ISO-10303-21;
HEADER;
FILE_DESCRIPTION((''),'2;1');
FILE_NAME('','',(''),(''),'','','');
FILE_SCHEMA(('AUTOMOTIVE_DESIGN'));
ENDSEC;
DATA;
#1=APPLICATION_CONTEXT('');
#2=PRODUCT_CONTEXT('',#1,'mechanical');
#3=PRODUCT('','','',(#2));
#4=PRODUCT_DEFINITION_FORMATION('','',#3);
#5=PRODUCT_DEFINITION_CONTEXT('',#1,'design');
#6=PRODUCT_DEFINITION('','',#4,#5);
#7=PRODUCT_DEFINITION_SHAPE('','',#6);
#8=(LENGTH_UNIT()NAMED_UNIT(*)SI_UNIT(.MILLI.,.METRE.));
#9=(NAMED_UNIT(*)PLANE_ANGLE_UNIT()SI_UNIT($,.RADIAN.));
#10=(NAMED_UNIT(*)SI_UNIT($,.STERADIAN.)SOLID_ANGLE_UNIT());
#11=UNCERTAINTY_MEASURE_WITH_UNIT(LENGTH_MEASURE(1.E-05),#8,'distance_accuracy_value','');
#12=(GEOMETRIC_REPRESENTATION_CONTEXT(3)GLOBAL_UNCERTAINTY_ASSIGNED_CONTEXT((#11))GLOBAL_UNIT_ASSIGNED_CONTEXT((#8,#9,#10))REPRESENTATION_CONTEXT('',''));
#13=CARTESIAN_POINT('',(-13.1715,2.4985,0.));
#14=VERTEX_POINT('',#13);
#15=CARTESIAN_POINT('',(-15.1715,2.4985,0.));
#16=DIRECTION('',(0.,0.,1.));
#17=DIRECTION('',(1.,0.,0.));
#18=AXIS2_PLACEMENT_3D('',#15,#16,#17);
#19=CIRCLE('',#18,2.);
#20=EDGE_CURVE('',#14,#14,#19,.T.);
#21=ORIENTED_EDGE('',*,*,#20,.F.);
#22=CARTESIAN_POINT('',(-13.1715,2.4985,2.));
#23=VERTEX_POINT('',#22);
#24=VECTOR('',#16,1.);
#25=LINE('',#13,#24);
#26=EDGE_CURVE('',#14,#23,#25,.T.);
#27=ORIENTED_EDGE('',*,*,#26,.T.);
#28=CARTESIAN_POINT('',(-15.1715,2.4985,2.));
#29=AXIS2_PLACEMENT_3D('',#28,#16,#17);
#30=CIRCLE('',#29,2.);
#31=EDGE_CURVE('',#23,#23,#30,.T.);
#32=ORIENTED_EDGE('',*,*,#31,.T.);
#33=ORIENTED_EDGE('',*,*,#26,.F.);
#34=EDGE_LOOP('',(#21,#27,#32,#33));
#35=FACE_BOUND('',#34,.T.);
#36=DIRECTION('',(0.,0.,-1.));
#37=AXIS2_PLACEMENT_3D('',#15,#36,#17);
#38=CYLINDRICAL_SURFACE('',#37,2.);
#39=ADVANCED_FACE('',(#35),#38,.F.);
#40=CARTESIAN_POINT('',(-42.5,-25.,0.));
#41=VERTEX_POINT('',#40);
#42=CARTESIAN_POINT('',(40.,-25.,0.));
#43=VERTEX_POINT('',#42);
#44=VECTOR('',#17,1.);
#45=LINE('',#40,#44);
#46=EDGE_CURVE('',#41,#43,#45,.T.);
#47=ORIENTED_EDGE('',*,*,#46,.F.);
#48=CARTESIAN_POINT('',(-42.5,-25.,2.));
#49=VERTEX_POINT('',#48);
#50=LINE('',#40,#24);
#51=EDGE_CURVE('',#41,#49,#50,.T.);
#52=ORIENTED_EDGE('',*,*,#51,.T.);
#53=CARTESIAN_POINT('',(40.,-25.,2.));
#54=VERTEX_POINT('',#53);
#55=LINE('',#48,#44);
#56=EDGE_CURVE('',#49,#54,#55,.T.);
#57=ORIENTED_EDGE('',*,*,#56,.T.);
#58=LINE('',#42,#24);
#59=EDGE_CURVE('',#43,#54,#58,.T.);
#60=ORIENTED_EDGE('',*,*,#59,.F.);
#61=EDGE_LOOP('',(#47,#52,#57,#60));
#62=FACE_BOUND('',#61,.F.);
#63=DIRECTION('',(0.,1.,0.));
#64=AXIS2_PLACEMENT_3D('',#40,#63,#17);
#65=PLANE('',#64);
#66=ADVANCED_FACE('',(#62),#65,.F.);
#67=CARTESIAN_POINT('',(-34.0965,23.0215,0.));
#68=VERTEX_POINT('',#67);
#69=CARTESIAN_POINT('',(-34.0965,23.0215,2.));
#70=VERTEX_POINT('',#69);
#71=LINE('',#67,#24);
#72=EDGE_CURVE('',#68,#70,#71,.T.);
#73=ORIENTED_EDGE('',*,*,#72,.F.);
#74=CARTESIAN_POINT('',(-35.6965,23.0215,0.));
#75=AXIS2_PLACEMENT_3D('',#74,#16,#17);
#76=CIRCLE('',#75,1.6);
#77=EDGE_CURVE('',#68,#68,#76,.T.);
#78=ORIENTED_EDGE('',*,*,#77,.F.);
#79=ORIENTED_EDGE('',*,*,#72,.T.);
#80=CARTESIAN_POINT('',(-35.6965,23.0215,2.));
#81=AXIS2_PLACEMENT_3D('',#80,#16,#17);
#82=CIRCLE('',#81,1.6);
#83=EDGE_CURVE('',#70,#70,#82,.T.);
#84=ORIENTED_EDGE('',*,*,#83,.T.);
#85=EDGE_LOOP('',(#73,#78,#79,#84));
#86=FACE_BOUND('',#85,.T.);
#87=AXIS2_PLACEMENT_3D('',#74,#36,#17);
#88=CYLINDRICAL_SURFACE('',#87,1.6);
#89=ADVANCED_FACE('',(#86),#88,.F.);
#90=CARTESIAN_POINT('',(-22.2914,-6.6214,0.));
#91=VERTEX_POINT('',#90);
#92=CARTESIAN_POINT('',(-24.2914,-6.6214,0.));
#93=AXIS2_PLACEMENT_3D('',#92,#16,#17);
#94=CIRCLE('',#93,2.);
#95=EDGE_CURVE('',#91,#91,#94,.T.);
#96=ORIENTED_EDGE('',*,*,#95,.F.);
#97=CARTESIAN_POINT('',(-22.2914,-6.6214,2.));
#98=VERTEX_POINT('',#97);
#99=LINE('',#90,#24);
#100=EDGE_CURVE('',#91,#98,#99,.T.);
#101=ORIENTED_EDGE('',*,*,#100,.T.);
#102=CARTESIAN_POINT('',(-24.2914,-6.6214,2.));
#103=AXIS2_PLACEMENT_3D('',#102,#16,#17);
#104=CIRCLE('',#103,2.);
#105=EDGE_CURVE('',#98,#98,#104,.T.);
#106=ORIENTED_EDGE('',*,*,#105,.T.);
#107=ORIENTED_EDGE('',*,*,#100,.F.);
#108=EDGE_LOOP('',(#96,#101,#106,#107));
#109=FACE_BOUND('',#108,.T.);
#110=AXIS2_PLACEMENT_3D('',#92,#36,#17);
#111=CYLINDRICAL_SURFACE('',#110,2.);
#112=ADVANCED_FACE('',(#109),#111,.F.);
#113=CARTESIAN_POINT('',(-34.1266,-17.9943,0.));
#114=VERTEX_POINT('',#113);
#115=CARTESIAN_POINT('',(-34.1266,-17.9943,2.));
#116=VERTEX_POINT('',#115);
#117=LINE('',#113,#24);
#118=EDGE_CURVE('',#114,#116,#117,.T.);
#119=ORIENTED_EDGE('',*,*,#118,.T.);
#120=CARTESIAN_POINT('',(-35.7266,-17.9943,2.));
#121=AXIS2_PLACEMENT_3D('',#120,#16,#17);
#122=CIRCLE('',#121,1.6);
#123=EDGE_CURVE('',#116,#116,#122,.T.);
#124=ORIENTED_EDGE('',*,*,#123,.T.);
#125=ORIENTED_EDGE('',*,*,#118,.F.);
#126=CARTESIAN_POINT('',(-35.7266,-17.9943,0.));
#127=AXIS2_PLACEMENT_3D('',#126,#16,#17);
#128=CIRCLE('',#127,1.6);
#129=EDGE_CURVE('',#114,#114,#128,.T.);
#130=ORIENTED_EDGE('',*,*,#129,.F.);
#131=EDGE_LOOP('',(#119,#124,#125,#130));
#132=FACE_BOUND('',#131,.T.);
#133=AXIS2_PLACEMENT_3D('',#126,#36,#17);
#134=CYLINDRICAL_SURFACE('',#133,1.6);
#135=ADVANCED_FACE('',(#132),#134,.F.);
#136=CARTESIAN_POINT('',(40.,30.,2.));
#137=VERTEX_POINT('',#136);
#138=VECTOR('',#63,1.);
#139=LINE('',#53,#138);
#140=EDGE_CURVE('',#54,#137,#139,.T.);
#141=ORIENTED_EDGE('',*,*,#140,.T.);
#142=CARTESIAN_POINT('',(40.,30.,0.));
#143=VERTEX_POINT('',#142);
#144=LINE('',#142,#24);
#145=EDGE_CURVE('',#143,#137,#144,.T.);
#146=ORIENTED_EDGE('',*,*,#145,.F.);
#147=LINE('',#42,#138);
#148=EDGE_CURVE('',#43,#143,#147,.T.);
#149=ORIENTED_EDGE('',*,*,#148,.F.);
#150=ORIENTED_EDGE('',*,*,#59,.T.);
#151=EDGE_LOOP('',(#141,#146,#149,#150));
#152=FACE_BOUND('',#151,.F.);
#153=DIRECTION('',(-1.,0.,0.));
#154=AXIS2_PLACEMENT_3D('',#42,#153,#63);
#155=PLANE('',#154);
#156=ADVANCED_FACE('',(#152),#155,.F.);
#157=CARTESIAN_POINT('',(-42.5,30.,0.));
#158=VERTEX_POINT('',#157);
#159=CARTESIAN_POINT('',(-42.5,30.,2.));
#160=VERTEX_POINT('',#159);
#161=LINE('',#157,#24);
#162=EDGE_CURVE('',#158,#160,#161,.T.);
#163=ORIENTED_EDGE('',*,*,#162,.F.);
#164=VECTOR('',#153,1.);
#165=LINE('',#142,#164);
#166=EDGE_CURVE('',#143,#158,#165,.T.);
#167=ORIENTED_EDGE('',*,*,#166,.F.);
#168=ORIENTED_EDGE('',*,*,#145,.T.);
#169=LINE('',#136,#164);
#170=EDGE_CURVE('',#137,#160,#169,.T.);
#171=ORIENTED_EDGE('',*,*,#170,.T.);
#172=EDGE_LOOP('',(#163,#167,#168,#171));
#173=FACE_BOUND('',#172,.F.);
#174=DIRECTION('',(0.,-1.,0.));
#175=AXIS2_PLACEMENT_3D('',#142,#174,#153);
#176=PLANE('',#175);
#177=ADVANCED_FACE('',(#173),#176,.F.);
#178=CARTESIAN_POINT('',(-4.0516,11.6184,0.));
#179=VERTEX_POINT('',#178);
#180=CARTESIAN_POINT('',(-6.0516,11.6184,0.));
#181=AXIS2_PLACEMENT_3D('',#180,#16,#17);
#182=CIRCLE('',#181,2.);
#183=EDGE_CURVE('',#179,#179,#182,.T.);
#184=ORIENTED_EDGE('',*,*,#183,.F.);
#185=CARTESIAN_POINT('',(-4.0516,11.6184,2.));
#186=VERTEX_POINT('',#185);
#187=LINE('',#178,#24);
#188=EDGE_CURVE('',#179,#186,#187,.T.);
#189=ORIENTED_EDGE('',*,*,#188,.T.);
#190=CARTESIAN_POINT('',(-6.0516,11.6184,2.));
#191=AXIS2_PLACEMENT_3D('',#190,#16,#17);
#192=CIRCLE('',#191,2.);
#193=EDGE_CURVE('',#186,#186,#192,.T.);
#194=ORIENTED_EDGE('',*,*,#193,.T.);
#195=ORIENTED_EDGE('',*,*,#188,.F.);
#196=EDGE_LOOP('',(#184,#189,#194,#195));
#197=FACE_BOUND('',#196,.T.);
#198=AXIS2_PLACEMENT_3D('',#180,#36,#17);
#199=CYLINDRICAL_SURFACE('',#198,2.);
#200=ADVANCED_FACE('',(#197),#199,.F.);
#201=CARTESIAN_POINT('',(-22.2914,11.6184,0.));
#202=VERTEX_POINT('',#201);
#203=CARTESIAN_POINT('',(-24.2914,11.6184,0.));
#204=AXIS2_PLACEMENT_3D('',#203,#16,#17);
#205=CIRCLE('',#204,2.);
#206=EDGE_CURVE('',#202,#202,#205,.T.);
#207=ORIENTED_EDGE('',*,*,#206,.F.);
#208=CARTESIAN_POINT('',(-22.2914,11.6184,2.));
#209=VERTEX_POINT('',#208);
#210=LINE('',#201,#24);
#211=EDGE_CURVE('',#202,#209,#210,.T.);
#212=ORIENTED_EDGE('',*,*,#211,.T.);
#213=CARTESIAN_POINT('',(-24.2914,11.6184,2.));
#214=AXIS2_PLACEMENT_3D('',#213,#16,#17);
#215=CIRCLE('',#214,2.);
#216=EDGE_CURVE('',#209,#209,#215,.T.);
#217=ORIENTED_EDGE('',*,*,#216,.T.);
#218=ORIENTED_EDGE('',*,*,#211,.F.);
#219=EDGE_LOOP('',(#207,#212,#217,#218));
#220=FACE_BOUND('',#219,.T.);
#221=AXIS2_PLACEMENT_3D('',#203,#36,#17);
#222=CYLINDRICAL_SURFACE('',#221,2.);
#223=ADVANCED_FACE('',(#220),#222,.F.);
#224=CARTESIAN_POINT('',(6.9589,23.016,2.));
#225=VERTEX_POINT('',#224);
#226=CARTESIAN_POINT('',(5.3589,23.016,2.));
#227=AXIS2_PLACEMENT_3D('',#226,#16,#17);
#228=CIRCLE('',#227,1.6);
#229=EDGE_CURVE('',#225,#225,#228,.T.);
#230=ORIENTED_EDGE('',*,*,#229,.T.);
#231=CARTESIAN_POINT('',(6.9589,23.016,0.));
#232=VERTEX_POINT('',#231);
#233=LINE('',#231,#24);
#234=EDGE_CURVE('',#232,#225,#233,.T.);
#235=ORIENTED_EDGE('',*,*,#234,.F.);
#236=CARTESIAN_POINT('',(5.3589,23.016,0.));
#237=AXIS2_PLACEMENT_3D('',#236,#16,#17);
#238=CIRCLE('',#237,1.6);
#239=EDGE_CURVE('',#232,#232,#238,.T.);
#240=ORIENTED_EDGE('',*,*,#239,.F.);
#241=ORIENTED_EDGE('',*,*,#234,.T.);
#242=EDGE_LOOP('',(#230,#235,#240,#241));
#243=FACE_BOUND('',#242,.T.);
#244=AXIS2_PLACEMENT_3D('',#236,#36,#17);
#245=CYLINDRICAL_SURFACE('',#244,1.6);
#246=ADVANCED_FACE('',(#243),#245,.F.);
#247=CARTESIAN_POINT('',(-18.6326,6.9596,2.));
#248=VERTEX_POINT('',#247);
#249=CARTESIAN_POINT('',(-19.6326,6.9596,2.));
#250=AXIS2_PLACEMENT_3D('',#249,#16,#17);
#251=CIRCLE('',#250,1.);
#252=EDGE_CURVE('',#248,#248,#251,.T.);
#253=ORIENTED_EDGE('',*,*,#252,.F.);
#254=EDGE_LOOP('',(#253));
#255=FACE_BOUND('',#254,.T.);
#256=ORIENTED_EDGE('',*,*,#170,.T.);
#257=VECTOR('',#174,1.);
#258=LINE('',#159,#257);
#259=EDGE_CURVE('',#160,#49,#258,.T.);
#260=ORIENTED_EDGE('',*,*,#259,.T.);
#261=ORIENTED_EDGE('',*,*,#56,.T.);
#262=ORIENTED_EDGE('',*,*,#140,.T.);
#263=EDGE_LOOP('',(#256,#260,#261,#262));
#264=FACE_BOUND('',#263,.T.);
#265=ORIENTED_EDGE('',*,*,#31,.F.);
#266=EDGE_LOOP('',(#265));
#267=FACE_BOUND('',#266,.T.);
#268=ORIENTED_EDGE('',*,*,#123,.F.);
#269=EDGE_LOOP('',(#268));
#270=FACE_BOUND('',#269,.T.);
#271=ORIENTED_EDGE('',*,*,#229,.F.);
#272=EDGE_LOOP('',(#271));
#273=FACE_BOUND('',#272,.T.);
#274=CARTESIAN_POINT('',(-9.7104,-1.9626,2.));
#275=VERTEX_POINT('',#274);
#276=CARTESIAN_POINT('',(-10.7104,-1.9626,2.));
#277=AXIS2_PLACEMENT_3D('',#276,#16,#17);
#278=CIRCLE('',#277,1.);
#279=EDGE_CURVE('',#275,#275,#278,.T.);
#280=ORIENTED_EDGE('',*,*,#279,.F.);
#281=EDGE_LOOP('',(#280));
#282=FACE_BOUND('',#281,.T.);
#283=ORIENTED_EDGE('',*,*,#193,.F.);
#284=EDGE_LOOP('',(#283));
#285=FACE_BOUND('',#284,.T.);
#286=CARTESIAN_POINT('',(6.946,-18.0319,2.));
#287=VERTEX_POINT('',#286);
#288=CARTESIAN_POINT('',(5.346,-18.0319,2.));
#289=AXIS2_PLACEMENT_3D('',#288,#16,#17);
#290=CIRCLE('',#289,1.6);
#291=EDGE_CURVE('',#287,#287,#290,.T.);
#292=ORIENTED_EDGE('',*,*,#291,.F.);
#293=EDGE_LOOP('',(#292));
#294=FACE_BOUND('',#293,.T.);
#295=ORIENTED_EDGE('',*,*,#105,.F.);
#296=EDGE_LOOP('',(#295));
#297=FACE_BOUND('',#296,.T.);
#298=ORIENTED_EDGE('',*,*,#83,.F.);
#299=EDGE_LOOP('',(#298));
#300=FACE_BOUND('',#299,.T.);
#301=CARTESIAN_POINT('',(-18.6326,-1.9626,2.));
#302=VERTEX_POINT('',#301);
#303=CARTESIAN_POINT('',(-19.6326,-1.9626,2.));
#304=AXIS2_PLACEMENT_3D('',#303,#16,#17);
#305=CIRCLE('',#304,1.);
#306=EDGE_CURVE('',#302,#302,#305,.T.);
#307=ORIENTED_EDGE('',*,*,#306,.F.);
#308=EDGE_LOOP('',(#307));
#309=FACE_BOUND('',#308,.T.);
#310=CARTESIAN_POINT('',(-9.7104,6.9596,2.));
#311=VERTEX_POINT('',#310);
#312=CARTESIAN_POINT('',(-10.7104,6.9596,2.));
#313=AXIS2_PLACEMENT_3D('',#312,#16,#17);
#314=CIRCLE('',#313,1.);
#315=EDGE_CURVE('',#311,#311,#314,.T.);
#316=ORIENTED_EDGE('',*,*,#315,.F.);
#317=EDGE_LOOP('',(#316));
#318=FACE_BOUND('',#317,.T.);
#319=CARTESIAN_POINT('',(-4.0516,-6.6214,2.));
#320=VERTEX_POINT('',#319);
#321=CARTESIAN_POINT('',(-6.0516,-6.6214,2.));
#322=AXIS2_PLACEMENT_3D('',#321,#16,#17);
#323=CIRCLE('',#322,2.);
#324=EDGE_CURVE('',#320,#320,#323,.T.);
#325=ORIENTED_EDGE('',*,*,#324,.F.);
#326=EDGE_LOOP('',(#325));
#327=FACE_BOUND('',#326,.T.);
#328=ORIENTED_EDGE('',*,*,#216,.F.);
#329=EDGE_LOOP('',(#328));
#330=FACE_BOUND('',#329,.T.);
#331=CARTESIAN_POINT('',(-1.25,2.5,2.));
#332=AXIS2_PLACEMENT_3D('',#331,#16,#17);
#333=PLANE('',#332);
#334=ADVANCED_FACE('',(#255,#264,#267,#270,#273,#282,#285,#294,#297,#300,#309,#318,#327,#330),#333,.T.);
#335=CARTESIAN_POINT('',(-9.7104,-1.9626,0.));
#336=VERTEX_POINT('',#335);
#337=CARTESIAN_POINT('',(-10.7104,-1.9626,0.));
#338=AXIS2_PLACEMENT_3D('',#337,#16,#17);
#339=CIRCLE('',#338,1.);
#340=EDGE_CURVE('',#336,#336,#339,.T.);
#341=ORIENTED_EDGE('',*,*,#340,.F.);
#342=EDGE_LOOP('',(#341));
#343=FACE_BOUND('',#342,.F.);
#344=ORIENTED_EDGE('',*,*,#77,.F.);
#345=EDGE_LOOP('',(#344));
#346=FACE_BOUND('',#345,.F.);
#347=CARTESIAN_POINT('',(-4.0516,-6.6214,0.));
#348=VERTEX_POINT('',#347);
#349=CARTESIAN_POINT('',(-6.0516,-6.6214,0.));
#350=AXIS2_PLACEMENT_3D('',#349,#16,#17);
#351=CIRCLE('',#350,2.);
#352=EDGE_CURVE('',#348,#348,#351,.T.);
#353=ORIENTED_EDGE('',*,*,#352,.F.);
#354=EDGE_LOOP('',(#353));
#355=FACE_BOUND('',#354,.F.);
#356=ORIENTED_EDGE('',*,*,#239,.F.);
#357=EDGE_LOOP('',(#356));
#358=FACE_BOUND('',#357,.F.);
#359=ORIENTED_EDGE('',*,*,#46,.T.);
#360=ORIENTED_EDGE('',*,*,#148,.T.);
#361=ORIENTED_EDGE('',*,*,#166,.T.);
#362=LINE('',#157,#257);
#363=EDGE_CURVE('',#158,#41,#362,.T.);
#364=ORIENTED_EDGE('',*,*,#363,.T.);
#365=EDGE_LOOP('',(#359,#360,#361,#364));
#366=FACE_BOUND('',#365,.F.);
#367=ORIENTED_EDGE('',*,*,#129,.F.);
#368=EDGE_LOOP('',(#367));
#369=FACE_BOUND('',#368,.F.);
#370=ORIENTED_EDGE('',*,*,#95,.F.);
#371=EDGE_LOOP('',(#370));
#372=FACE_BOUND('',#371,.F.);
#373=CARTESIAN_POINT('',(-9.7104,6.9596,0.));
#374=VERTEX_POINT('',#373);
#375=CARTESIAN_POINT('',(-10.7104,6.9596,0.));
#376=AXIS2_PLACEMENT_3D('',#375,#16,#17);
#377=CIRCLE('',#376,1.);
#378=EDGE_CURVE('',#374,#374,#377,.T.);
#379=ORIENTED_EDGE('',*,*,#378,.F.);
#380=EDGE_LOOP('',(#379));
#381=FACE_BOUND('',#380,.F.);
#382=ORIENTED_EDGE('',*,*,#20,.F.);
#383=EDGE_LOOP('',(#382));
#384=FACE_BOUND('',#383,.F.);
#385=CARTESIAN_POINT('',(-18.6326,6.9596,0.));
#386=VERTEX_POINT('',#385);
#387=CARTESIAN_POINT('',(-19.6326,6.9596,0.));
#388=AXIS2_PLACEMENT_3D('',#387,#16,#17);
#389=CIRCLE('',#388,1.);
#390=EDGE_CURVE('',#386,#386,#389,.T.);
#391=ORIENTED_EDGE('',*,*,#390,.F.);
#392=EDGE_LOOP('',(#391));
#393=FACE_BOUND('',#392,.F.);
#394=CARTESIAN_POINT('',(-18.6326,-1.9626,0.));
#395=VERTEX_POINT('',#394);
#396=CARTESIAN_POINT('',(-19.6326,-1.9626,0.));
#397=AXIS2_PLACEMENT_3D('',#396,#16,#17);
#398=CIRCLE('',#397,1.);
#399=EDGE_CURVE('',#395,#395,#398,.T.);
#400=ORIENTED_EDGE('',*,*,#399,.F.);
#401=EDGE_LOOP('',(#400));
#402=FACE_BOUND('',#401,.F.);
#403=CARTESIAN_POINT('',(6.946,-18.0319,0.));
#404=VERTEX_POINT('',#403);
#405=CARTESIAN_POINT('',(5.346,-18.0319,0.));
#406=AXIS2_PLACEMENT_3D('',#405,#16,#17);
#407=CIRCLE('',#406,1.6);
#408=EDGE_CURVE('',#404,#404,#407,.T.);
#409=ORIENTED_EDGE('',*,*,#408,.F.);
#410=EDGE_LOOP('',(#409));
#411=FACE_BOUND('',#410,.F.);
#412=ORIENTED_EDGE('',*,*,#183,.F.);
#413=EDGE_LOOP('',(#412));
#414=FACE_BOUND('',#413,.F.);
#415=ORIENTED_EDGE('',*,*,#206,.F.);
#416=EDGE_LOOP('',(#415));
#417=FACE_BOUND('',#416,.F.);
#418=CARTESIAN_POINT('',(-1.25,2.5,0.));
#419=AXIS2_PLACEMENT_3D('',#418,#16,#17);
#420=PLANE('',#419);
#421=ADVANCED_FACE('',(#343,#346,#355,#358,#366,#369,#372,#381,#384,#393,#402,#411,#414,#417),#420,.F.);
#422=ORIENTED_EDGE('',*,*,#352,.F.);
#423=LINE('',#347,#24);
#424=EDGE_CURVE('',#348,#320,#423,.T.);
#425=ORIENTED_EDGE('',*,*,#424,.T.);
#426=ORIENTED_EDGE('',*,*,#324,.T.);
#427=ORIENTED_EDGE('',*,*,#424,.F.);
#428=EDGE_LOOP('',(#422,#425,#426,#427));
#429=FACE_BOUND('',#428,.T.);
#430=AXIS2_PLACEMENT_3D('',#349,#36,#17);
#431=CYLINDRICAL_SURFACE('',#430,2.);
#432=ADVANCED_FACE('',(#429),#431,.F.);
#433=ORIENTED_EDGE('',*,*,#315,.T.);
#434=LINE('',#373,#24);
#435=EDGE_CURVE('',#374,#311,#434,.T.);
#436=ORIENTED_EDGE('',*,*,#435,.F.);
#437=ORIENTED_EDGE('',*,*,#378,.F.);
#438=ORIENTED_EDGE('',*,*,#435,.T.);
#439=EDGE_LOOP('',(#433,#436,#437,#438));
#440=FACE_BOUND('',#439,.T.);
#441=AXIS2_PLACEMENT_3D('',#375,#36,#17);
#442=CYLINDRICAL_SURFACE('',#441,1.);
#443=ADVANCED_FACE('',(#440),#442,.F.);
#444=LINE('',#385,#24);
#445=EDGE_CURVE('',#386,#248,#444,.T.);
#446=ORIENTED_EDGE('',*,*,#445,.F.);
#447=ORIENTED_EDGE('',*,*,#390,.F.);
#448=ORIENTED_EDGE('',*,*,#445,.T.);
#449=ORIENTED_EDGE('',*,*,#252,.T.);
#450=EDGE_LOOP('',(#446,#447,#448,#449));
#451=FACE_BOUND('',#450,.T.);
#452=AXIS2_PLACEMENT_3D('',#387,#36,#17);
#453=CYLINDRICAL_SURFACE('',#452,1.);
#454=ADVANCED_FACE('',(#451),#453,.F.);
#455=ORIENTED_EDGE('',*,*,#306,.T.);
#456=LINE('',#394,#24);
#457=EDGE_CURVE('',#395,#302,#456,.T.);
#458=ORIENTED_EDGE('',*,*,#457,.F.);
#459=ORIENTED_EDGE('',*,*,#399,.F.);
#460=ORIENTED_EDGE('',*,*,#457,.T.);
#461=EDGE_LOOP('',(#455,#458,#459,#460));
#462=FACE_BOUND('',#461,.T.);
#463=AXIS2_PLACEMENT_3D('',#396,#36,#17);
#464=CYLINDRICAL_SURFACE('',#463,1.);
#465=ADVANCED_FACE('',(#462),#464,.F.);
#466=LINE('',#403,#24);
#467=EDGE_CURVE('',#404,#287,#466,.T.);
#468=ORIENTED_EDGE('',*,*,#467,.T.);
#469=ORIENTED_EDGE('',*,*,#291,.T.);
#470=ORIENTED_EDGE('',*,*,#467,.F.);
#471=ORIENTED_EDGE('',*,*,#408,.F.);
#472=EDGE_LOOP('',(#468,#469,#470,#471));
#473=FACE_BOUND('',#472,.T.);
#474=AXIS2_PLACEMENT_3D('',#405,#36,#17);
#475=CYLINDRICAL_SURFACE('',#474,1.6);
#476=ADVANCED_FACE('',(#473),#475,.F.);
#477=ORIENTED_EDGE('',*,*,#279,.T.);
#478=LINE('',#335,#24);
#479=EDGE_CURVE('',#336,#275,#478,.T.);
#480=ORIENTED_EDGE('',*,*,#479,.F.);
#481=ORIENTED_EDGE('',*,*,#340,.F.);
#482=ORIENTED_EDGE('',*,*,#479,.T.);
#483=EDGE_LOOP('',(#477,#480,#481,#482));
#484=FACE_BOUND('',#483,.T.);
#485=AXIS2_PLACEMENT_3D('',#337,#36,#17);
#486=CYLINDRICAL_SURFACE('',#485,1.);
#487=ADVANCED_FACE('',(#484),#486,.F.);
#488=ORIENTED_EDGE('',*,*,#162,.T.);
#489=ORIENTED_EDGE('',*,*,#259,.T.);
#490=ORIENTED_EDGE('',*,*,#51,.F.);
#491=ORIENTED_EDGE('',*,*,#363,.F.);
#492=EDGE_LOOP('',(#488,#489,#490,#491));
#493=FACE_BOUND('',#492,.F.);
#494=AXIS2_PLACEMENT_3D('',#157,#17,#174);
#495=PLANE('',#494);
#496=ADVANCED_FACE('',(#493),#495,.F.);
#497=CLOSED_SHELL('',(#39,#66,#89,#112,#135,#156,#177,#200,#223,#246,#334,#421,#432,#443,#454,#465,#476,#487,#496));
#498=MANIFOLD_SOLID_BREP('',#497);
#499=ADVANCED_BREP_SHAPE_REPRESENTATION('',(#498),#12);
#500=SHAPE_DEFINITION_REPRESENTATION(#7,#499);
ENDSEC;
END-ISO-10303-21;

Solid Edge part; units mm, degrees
sketch "Sketch1" plane through (0, 0, 0) normal (0, 0, 1) x (1, 0, 0)
  line L0 (40, -25) -> (40, 30)
  line L1 (40, 30) -> (-42.5, 30)
  line L2 (-42.5, 30) -> (-42.5, -25)
  line L3 (-42.5, -25) -> (40, -25)
extrude "ExtrudedProtrusion_3" add sketch "Sketch1" along normal blind 2
sketch "Sketch2" plane through (0, 0, 0) normal (0, 0, 1) x (1, 0, 0)
  circle A0 centre (-35.6965, 23.0215) radius 1.6
  circle A1 centre (5.3589, 23.016) radius 1.6
  circle A2 centre (5.346, -18.0319) radius 1.6
  circle A3 centre (-35.7266, -17.9943) radius 1.6
  circle A4 centre (-24.2914, -6.6214) radius 2
  circle A5 centre (-19.6326, -1.9626) radius 1
  circle A6 centre (-6.0516, -6.6214) radius 2
  circle A7 centre (-10.7104, -1.9626) radius 1
  circle A8 centre (-15.1715, 2.4985) radius 2
  circle A9 centre (-10.7104, 6.9596) radius 1
  circle A10 centre (-6.0516, 11.6184) radius 2
  circle A11 centre (-19.6326, 6.9596) radius 1
  circle A12 centre (-24.2914, 11.6184) radius 2
  dimension "D1" = 4
  dimension "D2" = 4
  dimension "D3" = 4
  dimension "D4" = 4
  dimension "D5" = 4
  dimension "D6" = 2
  dimension "D7" = 2
  dimension "D8" = 2
  dimension "D9" = 2
  dimension "D10" = 3.2
  dimension "D11" = 3.2
  dimension "D12" = 3.2
  dimension "D13" = 3.2
  dimension "D14" = 41.0554
  dimension "D15" = 41.0158
  dimension "D16" = 41.0727
  dimension "D17" = 41.048
extrude "ExtrudedCutout_14" cut sketch "Sketch2" along normal blind 2
properties material "ABS Plastic, high impact"
